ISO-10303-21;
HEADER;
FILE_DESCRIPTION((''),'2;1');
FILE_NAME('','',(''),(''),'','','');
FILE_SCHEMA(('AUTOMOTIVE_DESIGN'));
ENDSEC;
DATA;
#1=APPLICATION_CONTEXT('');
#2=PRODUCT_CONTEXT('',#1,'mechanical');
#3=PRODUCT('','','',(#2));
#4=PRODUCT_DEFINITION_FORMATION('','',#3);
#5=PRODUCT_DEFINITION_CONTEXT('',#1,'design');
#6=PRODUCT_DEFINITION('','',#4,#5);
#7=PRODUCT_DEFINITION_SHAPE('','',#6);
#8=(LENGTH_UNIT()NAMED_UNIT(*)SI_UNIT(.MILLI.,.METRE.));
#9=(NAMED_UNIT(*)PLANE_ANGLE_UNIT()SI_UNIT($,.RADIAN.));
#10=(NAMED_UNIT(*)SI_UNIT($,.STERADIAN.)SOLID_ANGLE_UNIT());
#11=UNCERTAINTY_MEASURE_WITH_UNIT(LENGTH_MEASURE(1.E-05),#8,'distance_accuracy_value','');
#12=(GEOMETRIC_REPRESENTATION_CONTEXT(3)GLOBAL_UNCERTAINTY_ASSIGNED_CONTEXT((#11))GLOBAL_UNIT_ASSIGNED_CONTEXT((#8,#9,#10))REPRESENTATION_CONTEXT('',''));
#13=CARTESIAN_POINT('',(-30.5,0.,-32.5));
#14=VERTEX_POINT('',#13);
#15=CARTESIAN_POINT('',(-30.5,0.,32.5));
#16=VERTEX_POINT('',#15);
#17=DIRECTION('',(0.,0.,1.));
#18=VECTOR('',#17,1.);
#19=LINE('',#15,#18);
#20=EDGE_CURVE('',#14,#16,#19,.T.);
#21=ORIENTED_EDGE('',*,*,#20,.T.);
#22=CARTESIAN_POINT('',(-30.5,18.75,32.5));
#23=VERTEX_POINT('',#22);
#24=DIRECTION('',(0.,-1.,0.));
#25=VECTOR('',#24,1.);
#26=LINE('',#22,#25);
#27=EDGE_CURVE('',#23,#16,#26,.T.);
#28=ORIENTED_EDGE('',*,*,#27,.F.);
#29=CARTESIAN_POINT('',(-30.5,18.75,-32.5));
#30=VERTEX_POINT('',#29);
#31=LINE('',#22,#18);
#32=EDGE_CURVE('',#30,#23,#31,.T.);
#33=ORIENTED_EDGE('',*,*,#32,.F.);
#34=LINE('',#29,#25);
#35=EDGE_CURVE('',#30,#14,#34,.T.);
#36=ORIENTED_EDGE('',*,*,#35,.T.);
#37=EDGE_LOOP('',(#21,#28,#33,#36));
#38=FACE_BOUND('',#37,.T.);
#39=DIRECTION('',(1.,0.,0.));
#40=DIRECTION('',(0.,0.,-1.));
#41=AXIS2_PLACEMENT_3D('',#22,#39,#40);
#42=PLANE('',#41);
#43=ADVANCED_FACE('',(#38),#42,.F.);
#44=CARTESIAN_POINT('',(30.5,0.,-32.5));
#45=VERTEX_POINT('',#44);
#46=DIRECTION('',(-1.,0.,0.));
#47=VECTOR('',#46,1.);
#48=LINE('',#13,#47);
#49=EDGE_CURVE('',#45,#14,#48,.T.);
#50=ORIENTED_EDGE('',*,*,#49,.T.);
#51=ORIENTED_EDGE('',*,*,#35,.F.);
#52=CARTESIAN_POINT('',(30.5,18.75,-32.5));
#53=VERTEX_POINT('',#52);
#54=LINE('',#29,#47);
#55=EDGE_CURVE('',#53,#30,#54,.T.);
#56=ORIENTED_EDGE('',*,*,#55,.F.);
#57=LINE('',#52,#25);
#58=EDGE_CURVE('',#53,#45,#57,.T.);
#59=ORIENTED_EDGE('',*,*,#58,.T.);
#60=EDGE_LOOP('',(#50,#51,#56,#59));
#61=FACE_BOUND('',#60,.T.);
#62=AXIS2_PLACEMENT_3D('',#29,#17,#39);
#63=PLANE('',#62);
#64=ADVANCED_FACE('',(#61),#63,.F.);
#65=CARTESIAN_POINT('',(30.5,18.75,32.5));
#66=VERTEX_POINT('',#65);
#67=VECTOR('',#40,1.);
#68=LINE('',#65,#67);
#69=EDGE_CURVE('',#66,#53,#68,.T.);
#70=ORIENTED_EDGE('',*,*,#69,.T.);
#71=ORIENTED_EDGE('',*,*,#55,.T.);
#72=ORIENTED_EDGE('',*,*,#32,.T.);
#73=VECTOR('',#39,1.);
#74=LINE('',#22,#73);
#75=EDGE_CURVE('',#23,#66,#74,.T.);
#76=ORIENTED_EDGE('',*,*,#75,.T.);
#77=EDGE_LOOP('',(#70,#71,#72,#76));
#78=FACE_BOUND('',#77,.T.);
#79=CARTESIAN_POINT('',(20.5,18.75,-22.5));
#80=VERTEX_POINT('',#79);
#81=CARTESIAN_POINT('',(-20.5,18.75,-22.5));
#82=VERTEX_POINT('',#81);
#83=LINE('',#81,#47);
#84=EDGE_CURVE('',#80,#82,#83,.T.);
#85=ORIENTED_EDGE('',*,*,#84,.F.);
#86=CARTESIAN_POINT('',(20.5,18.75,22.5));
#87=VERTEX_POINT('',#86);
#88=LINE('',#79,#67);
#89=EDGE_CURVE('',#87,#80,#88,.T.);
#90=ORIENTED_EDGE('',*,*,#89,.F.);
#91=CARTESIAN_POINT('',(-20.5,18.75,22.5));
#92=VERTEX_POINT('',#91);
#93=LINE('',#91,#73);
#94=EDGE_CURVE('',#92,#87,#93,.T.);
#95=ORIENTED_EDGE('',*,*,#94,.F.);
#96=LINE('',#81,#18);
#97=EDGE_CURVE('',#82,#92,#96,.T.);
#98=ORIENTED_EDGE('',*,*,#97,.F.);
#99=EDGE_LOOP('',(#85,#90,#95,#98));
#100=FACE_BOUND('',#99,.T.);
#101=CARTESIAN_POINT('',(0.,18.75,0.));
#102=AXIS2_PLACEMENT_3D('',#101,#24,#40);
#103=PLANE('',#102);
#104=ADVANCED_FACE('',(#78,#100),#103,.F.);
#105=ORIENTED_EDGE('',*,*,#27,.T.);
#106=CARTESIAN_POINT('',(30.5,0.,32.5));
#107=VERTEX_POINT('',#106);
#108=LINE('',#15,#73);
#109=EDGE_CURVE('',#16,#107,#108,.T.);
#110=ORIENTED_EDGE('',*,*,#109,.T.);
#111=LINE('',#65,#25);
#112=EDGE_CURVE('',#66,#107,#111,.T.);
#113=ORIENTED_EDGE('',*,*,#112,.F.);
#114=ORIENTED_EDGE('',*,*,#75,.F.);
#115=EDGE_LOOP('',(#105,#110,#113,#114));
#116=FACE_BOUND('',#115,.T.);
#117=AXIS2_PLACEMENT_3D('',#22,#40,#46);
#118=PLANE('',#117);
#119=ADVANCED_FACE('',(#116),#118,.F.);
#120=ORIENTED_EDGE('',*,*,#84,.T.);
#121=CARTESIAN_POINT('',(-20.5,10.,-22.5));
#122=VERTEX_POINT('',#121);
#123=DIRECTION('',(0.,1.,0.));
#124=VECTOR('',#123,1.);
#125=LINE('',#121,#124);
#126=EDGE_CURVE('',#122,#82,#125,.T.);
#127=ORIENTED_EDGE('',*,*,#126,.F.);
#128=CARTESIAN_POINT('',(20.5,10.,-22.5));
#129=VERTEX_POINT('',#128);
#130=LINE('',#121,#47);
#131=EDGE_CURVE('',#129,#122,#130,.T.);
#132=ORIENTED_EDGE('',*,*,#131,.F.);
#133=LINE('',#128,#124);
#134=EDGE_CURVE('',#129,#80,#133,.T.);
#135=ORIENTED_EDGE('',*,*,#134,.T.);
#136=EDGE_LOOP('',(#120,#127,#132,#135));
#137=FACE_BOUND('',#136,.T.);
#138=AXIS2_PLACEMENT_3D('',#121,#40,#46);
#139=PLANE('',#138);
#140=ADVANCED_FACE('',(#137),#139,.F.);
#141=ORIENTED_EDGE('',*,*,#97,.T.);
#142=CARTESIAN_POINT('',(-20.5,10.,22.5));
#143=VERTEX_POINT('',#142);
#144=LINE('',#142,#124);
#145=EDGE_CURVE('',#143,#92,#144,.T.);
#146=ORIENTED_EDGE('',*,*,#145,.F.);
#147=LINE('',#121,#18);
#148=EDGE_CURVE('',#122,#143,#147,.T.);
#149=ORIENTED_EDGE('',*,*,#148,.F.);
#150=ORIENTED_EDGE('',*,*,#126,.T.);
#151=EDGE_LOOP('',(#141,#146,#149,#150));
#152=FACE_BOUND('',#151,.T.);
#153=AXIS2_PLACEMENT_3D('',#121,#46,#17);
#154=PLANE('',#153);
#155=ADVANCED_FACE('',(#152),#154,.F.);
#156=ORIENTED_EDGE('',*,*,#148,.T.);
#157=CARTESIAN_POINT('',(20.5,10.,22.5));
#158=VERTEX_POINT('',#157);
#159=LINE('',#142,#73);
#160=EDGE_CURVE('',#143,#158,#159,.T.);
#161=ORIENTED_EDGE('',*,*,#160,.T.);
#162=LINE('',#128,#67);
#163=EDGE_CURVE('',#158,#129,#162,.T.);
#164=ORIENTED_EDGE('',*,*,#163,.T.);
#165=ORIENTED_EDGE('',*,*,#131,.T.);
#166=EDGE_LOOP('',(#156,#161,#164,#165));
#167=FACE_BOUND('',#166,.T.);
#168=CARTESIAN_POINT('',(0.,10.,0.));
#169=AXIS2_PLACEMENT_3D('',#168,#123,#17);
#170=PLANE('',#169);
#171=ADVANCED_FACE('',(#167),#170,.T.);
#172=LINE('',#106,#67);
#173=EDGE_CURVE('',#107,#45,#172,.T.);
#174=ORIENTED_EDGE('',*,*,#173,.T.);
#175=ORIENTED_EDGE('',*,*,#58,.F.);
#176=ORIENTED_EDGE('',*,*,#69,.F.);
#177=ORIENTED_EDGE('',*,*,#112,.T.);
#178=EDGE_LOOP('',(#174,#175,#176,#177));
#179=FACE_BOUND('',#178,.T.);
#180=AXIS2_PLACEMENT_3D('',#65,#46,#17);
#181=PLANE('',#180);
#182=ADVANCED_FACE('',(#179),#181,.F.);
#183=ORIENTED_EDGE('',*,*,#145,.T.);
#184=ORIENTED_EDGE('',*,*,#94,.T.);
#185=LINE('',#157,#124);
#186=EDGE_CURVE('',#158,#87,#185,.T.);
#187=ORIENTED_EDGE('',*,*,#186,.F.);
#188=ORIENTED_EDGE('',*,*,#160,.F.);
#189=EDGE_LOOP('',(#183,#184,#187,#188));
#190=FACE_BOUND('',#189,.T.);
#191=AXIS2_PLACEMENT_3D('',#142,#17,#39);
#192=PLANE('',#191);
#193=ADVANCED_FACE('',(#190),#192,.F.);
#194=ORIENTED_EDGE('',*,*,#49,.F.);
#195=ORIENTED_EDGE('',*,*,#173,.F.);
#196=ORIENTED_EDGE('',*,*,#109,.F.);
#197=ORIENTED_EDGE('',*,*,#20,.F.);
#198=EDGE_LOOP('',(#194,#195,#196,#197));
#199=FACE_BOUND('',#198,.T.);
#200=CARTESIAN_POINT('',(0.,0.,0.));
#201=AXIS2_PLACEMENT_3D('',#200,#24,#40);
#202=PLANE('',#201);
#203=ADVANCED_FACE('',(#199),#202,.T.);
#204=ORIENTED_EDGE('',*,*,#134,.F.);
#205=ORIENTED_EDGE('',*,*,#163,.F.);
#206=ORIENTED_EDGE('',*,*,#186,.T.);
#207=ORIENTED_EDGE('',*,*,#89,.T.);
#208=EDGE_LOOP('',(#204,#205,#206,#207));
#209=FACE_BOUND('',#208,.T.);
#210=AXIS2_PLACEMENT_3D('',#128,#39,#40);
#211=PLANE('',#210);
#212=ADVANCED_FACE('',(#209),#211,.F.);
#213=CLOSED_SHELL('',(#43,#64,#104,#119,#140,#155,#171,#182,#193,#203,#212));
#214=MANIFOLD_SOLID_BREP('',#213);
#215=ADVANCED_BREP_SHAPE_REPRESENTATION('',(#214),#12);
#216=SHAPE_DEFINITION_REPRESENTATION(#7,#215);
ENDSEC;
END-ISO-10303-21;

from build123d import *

# Parameters (mm, degrees)
SKETCH1_W           = 61
SKETCH1_H           = 65
BOSS_EXTRUDE1_DEPTH = 18.75
SKETCH2_W           = 41
SKETCH2_H           = 45
CUT_EXTRUDE1_DEPTH  = 8.75


with BuildPart() as part:
    # Sketch1 → Boss-Extrude1 (new body)
    with BuildSketch(Plane(origin=(0, 0, 0), x_dir=(1, 0, 0), z_dir=(0, 1, 0))):
        Rectangle(SKETCH1_W, SKETCH1_H)
    extrude(amount=BOSS_EXTRUDE1_DEPTH)

    # Sketch2 → Cut-Extrude1 (cut)
    with BuildSketch(Plane(origin=(0, 18.75, 0), x_dir=(1, 0, 0), z_dir=(0, 1, 0))):
        Rectangle(SKETCH2_W, SKETCH2_H)
    extrude(amount=-CUT_EXTRUDE1_DEPTH, mode=Mode.SUBTRACT)


solid = part.part
